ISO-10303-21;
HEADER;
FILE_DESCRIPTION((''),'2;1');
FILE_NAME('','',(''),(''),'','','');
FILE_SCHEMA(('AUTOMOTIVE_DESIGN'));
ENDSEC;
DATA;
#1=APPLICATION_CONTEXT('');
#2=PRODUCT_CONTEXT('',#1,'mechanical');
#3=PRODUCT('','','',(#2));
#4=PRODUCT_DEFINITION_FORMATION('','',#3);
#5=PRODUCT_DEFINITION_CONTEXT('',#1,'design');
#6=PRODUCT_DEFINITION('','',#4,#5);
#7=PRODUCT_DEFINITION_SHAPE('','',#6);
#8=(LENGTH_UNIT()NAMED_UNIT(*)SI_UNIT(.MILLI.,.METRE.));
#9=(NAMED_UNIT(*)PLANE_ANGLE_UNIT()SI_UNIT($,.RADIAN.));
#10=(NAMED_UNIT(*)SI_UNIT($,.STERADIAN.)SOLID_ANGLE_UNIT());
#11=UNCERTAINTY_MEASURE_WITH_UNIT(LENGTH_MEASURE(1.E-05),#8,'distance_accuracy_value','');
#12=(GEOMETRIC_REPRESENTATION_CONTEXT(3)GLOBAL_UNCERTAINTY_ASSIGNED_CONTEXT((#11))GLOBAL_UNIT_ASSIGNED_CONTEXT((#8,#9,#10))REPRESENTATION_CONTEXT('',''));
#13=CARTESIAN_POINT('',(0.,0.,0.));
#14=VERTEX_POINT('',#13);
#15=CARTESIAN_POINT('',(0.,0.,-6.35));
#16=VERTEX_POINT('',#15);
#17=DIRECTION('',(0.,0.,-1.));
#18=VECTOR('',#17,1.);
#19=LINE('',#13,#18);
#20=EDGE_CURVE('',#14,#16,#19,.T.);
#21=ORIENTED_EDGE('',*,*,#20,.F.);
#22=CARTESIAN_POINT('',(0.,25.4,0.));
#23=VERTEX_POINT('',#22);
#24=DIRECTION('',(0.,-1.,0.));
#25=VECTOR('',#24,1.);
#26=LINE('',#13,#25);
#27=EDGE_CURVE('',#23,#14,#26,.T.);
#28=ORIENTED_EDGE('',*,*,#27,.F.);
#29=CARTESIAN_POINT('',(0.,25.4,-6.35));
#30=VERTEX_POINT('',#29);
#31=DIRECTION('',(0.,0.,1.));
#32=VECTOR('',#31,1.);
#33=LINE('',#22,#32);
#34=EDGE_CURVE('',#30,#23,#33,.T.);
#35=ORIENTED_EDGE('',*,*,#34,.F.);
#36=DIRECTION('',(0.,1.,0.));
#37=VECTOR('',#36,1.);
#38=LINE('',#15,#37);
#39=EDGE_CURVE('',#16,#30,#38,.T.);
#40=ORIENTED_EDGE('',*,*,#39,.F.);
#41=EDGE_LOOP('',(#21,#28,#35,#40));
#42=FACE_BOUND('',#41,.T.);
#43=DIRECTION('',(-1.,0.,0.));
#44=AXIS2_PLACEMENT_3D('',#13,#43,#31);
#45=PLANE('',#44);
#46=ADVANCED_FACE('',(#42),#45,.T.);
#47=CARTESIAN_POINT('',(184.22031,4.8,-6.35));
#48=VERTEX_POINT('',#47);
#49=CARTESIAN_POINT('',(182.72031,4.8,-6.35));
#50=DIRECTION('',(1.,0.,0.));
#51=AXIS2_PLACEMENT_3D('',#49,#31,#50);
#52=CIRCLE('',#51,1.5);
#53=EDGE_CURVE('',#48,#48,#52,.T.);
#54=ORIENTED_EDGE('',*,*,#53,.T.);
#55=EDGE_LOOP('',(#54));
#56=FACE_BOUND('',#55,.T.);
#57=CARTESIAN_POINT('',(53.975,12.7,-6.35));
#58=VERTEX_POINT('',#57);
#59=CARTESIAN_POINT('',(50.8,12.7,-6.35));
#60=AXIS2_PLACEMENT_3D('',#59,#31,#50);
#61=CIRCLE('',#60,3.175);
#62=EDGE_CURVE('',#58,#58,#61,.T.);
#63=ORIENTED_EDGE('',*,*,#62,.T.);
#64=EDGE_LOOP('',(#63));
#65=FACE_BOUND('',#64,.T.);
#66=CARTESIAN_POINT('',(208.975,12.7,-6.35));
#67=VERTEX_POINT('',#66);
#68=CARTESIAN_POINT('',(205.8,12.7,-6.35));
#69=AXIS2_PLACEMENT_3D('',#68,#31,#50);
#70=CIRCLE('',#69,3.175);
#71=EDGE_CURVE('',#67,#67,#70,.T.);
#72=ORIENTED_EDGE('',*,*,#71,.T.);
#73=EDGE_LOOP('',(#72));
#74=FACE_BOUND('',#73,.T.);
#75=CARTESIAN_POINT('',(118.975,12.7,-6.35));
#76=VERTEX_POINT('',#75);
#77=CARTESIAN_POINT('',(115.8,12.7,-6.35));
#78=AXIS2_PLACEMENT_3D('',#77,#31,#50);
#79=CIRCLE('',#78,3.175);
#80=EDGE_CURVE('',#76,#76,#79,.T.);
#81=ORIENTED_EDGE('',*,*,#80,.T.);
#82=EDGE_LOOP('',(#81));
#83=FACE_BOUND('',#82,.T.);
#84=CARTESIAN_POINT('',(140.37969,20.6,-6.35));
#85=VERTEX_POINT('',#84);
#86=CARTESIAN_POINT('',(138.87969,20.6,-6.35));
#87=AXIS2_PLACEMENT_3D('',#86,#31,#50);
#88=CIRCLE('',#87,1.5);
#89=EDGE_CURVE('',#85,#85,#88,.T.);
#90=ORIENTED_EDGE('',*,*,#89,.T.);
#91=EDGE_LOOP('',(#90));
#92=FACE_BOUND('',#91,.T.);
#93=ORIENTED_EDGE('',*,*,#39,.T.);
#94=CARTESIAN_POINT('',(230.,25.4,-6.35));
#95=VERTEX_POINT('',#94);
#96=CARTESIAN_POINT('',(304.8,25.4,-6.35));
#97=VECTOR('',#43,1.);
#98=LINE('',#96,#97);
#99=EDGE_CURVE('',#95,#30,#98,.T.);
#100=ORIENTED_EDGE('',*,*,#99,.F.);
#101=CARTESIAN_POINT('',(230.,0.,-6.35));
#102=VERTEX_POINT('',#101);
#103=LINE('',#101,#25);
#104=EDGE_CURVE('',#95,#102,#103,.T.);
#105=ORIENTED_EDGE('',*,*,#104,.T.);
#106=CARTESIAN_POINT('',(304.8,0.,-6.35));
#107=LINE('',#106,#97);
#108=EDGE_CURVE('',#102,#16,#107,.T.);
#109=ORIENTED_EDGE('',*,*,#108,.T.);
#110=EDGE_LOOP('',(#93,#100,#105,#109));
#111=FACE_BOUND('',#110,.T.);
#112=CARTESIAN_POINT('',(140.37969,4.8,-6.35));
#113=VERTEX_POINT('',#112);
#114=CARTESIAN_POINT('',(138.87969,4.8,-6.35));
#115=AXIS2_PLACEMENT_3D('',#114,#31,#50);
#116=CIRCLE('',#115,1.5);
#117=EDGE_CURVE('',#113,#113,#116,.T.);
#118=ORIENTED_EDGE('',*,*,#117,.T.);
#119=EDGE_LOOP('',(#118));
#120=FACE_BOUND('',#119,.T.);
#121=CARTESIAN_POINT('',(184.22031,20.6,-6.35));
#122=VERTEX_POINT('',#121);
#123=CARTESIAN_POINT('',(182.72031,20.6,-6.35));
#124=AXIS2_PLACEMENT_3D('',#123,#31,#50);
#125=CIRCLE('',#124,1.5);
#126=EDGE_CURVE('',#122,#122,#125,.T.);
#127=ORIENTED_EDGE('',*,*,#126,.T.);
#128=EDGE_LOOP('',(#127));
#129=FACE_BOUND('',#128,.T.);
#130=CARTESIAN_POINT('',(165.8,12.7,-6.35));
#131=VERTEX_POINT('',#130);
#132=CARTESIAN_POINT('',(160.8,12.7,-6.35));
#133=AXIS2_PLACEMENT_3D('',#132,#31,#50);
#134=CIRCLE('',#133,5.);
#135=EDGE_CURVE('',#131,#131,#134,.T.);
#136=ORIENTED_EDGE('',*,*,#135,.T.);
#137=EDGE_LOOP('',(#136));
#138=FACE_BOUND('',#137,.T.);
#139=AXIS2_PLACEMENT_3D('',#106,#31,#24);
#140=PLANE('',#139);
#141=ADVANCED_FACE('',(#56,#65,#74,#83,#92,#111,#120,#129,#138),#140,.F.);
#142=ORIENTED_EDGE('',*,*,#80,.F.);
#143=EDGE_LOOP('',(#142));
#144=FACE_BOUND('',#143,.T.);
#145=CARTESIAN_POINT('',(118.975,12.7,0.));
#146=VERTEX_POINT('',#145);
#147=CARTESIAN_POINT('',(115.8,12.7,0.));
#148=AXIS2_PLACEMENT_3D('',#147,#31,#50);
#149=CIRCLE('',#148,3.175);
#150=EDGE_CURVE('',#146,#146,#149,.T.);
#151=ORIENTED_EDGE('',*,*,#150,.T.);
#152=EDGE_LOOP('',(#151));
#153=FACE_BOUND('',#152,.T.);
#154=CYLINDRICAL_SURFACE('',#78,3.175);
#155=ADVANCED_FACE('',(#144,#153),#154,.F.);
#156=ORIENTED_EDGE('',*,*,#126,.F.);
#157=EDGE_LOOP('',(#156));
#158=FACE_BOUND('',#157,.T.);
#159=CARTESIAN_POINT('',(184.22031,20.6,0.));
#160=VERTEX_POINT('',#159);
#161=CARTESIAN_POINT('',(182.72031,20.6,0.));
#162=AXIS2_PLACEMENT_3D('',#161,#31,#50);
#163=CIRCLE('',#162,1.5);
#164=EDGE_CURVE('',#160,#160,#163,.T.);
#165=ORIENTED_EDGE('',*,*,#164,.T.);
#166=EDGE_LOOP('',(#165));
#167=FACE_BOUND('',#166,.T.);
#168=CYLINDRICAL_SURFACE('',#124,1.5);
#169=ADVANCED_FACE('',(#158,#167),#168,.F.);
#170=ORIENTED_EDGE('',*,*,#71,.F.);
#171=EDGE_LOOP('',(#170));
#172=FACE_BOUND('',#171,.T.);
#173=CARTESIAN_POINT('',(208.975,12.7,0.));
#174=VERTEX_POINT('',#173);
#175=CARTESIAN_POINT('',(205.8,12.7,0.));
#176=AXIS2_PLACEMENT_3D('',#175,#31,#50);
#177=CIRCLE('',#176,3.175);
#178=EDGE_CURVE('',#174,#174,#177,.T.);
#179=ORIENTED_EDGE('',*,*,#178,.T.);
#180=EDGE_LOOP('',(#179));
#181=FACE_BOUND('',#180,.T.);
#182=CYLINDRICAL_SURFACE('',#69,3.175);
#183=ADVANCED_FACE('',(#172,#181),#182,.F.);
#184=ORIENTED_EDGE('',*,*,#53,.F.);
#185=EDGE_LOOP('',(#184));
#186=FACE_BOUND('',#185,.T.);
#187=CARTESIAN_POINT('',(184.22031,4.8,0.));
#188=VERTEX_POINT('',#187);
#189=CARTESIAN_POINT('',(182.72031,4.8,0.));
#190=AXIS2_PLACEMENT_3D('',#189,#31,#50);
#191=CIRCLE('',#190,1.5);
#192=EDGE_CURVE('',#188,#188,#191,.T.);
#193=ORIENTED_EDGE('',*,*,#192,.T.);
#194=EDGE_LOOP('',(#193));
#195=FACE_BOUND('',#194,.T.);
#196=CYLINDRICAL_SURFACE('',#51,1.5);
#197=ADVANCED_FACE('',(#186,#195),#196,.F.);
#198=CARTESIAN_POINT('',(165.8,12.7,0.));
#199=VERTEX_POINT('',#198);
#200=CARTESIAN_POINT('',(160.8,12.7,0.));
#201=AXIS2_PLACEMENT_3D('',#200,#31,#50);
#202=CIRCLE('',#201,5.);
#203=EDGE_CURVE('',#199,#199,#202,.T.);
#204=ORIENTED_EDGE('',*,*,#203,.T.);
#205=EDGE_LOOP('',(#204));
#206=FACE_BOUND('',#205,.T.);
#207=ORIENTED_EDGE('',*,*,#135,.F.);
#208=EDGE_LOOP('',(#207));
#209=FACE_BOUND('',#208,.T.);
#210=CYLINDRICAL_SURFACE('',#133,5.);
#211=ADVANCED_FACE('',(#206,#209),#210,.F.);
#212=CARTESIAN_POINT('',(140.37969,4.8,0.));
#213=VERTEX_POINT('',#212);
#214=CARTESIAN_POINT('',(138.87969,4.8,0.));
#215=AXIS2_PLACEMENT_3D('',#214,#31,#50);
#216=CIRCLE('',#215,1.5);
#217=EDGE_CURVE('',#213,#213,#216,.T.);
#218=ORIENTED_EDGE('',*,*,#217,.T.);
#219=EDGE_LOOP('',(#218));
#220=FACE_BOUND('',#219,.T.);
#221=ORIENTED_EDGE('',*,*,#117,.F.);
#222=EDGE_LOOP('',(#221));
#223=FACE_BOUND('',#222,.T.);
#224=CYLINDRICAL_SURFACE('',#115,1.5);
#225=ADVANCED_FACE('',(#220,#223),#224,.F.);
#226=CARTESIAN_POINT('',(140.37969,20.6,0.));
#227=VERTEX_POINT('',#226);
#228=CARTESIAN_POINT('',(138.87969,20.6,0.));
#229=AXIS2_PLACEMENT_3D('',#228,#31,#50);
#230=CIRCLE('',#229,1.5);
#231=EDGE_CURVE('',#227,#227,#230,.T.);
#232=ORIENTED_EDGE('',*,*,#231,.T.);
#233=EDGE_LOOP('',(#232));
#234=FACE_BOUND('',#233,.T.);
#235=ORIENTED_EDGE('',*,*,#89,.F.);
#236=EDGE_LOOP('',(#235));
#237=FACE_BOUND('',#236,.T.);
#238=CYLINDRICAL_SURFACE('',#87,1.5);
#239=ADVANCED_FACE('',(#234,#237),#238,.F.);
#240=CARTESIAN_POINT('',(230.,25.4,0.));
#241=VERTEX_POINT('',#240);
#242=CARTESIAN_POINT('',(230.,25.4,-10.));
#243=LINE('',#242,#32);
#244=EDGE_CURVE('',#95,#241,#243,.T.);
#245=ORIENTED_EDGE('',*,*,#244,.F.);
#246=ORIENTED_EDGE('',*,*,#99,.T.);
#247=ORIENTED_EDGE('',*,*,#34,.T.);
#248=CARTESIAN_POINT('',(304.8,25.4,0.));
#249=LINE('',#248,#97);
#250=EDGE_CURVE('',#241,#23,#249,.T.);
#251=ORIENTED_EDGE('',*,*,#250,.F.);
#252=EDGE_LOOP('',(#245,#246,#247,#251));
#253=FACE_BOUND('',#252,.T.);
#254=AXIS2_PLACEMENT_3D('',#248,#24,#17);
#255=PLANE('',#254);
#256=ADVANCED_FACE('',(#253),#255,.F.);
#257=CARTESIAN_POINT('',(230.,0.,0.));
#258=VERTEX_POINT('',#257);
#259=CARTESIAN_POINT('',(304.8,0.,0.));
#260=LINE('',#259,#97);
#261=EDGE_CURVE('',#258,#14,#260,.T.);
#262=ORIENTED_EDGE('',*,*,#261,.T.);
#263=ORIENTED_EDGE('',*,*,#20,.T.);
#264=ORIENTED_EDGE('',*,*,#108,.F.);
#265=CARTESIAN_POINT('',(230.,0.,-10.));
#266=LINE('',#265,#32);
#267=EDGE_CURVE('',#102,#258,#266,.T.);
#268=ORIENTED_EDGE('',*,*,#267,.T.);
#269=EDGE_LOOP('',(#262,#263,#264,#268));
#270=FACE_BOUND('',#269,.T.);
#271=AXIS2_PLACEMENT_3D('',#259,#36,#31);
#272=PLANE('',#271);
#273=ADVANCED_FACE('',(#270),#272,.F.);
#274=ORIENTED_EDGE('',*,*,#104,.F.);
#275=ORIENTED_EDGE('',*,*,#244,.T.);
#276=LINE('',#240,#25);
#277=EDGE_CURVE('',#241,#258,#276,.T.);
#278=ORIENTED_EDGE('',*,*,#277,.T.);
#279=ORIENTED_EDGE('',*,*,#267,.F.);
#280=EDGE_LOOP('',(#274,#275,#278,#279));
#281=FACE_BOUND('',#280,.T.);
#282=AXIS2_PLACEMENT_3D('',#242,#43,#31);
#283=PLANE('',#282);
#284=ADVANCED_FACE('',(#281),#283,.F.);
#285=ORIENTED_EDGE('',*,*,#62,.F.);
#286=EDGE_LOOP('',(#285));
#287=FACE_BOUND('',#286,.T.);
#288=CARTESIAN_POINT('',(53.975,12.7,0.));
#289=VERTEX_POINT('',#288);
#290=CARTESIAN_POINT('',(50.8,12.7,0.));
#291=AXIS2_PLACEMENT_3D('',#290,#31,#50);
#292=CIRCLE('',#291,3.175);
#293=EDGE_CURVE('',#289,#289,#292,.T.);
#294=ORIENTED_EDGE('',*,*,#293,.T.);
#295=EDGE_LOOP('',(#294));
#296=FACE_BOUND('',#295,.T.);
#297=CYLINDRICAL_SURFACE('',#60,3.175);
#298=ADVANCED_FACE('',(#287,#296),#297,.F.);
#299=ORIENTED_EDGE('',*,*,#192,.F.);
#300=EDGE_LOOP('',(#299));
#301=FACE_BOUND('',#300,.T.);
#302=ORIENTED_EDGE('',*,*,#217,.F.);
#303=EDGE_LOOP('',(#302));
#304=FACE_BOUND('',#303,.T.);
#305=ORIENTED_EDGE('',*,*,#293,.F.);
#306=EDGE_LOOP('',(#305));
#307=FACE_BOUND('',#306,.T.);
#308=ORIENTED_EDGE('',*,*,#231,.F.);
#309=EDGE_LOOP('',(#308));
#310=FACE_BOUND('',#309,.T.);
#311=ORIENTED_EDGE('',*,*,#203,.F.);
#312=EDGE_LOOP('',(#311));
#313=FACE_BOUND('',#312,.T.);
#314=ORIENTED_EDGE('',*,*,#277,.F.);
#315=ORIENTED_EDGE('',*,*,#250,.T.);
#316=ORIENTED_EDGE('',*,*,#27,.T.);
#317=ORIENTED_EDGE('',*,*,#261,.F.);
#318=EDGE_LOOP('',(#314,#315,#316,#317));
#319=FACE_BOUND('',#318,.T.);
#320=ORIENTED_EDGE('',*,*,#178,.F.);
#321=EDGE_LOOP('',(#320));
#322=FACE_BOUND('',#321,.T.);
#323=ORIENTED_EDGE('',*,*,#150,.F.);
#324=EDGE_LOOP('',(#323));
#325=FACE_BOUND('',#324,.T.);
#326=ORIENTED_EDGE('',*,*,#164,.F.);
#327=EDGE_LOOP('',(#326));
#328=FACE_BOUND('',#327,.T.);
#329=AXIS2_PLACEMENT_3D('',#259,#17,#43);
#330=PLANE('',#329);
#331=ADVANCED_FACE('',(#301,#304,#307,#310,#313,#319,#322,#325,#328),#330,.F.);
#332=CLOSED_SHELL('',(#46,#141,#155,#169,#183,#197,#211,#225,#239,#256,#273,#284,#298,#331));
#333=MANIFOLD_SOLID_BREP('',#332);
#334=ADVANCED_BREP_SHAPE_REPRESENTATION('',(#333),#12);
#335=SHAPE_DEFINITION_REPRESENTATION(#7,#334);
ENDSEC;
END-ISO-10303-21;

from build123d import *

# Parameters (mm, degrees)
SKETCH1_W           = 6.35
SKETCH1_H           = 25.4
BOSS_EXTRUDE1_DEPTH = 304.8
SKETCH2_R           = 5
SKETCH2_R_2         = 3.175
CUT_EXTRUDE1_DEPTH  = 306.922412549
SKETCH4_R           = 1.5
CUT_EXTRUDE2_DEPTH  = 306.922412549
SKETCH5_R           = 3.175
CUT_EXTRUDE3_DEPTH  = 306.922412549
SKETCH6_W           = 74.8
SKETCH6_H           = 25.4
CUT_EXTRUDE5_DEPTH  = 10


with BuildPart() as part:
    # Sketch1 → Boss-Extrude1 (new body)
    with BuildSketch(Plane(origin=(0, 0, 0), x_dir=(0, 0, -1), z_dir=(1, 0, 0))):
        with Locations((3.175, 12.7)):
            Rectangle(SKETCH1_W, SKETCH1_H)
    extrude(amount=BOSS_EXTRUDE1_DEPTH)

    # Sketch2 → Cut-Extrude1 (cut, through all)
    with BuildSketch(Plane.XY):
        with Locations((160.8, 12.7)):
            Circle(SKETCH2_R)
        with Locations((50.8, 12.7)):
            Circle(SKETCH2_R_2)
        with Locations((115.8, 12.7)):
            Circle(SKETCH2_R_2)
        with Locations((205.8, 12.7)):
            Circle(SKETCH2_R_2)
    extrude(amount=-CUT_EXTRUDE1_DEPTH, mode=Mode.SUBTRACT)

    # Sketch4 → Cut-Extrude2 (cut, through all)
    with BuildSketch(Plane.XY):
        with Locations((138.879689783, 20.6)):
            Circle(SKETCH4_R)
        with Locations((182.720310217, 20.6)):
            Circle(SKETCH4_R)
        with Locations((182.720310217, 4.8)):
            Circle(SKETCH4_R)
        with Locations((138.879689783, 4.8)):
            Circle(SKETCH4_R)
    extrude(amount=-CUT_EXTRUDE2_DEPTH, mode=Mode.SUBTRACT)

    # Sketch5 → Cut-Extrude3 (cut, through all)
    with BuildSketch(Plane.XY):
        with Locations((241.3, 12.7)):
            Circle(SKETCH5_R)
        with Locations((292.1, 12.7)):
            Circle(SKETCH5_R)
    extrude(amount=-CUT_EXTRUDE3_DEPTH, mode=Mode.SUBTRACT)

    # Sketch6 → Cut-Extrude5 (cut)
    with BuildSketch(Plane.XY):
        with Locations((267.4, 12.7)):
            Rectangle(SKETCH6_W, SKETCH6_H)
    extrude(amount=-CUT_EXTRUDE5_DEPTH, mode=Mode.SUBTRACT)


solid = part.part
